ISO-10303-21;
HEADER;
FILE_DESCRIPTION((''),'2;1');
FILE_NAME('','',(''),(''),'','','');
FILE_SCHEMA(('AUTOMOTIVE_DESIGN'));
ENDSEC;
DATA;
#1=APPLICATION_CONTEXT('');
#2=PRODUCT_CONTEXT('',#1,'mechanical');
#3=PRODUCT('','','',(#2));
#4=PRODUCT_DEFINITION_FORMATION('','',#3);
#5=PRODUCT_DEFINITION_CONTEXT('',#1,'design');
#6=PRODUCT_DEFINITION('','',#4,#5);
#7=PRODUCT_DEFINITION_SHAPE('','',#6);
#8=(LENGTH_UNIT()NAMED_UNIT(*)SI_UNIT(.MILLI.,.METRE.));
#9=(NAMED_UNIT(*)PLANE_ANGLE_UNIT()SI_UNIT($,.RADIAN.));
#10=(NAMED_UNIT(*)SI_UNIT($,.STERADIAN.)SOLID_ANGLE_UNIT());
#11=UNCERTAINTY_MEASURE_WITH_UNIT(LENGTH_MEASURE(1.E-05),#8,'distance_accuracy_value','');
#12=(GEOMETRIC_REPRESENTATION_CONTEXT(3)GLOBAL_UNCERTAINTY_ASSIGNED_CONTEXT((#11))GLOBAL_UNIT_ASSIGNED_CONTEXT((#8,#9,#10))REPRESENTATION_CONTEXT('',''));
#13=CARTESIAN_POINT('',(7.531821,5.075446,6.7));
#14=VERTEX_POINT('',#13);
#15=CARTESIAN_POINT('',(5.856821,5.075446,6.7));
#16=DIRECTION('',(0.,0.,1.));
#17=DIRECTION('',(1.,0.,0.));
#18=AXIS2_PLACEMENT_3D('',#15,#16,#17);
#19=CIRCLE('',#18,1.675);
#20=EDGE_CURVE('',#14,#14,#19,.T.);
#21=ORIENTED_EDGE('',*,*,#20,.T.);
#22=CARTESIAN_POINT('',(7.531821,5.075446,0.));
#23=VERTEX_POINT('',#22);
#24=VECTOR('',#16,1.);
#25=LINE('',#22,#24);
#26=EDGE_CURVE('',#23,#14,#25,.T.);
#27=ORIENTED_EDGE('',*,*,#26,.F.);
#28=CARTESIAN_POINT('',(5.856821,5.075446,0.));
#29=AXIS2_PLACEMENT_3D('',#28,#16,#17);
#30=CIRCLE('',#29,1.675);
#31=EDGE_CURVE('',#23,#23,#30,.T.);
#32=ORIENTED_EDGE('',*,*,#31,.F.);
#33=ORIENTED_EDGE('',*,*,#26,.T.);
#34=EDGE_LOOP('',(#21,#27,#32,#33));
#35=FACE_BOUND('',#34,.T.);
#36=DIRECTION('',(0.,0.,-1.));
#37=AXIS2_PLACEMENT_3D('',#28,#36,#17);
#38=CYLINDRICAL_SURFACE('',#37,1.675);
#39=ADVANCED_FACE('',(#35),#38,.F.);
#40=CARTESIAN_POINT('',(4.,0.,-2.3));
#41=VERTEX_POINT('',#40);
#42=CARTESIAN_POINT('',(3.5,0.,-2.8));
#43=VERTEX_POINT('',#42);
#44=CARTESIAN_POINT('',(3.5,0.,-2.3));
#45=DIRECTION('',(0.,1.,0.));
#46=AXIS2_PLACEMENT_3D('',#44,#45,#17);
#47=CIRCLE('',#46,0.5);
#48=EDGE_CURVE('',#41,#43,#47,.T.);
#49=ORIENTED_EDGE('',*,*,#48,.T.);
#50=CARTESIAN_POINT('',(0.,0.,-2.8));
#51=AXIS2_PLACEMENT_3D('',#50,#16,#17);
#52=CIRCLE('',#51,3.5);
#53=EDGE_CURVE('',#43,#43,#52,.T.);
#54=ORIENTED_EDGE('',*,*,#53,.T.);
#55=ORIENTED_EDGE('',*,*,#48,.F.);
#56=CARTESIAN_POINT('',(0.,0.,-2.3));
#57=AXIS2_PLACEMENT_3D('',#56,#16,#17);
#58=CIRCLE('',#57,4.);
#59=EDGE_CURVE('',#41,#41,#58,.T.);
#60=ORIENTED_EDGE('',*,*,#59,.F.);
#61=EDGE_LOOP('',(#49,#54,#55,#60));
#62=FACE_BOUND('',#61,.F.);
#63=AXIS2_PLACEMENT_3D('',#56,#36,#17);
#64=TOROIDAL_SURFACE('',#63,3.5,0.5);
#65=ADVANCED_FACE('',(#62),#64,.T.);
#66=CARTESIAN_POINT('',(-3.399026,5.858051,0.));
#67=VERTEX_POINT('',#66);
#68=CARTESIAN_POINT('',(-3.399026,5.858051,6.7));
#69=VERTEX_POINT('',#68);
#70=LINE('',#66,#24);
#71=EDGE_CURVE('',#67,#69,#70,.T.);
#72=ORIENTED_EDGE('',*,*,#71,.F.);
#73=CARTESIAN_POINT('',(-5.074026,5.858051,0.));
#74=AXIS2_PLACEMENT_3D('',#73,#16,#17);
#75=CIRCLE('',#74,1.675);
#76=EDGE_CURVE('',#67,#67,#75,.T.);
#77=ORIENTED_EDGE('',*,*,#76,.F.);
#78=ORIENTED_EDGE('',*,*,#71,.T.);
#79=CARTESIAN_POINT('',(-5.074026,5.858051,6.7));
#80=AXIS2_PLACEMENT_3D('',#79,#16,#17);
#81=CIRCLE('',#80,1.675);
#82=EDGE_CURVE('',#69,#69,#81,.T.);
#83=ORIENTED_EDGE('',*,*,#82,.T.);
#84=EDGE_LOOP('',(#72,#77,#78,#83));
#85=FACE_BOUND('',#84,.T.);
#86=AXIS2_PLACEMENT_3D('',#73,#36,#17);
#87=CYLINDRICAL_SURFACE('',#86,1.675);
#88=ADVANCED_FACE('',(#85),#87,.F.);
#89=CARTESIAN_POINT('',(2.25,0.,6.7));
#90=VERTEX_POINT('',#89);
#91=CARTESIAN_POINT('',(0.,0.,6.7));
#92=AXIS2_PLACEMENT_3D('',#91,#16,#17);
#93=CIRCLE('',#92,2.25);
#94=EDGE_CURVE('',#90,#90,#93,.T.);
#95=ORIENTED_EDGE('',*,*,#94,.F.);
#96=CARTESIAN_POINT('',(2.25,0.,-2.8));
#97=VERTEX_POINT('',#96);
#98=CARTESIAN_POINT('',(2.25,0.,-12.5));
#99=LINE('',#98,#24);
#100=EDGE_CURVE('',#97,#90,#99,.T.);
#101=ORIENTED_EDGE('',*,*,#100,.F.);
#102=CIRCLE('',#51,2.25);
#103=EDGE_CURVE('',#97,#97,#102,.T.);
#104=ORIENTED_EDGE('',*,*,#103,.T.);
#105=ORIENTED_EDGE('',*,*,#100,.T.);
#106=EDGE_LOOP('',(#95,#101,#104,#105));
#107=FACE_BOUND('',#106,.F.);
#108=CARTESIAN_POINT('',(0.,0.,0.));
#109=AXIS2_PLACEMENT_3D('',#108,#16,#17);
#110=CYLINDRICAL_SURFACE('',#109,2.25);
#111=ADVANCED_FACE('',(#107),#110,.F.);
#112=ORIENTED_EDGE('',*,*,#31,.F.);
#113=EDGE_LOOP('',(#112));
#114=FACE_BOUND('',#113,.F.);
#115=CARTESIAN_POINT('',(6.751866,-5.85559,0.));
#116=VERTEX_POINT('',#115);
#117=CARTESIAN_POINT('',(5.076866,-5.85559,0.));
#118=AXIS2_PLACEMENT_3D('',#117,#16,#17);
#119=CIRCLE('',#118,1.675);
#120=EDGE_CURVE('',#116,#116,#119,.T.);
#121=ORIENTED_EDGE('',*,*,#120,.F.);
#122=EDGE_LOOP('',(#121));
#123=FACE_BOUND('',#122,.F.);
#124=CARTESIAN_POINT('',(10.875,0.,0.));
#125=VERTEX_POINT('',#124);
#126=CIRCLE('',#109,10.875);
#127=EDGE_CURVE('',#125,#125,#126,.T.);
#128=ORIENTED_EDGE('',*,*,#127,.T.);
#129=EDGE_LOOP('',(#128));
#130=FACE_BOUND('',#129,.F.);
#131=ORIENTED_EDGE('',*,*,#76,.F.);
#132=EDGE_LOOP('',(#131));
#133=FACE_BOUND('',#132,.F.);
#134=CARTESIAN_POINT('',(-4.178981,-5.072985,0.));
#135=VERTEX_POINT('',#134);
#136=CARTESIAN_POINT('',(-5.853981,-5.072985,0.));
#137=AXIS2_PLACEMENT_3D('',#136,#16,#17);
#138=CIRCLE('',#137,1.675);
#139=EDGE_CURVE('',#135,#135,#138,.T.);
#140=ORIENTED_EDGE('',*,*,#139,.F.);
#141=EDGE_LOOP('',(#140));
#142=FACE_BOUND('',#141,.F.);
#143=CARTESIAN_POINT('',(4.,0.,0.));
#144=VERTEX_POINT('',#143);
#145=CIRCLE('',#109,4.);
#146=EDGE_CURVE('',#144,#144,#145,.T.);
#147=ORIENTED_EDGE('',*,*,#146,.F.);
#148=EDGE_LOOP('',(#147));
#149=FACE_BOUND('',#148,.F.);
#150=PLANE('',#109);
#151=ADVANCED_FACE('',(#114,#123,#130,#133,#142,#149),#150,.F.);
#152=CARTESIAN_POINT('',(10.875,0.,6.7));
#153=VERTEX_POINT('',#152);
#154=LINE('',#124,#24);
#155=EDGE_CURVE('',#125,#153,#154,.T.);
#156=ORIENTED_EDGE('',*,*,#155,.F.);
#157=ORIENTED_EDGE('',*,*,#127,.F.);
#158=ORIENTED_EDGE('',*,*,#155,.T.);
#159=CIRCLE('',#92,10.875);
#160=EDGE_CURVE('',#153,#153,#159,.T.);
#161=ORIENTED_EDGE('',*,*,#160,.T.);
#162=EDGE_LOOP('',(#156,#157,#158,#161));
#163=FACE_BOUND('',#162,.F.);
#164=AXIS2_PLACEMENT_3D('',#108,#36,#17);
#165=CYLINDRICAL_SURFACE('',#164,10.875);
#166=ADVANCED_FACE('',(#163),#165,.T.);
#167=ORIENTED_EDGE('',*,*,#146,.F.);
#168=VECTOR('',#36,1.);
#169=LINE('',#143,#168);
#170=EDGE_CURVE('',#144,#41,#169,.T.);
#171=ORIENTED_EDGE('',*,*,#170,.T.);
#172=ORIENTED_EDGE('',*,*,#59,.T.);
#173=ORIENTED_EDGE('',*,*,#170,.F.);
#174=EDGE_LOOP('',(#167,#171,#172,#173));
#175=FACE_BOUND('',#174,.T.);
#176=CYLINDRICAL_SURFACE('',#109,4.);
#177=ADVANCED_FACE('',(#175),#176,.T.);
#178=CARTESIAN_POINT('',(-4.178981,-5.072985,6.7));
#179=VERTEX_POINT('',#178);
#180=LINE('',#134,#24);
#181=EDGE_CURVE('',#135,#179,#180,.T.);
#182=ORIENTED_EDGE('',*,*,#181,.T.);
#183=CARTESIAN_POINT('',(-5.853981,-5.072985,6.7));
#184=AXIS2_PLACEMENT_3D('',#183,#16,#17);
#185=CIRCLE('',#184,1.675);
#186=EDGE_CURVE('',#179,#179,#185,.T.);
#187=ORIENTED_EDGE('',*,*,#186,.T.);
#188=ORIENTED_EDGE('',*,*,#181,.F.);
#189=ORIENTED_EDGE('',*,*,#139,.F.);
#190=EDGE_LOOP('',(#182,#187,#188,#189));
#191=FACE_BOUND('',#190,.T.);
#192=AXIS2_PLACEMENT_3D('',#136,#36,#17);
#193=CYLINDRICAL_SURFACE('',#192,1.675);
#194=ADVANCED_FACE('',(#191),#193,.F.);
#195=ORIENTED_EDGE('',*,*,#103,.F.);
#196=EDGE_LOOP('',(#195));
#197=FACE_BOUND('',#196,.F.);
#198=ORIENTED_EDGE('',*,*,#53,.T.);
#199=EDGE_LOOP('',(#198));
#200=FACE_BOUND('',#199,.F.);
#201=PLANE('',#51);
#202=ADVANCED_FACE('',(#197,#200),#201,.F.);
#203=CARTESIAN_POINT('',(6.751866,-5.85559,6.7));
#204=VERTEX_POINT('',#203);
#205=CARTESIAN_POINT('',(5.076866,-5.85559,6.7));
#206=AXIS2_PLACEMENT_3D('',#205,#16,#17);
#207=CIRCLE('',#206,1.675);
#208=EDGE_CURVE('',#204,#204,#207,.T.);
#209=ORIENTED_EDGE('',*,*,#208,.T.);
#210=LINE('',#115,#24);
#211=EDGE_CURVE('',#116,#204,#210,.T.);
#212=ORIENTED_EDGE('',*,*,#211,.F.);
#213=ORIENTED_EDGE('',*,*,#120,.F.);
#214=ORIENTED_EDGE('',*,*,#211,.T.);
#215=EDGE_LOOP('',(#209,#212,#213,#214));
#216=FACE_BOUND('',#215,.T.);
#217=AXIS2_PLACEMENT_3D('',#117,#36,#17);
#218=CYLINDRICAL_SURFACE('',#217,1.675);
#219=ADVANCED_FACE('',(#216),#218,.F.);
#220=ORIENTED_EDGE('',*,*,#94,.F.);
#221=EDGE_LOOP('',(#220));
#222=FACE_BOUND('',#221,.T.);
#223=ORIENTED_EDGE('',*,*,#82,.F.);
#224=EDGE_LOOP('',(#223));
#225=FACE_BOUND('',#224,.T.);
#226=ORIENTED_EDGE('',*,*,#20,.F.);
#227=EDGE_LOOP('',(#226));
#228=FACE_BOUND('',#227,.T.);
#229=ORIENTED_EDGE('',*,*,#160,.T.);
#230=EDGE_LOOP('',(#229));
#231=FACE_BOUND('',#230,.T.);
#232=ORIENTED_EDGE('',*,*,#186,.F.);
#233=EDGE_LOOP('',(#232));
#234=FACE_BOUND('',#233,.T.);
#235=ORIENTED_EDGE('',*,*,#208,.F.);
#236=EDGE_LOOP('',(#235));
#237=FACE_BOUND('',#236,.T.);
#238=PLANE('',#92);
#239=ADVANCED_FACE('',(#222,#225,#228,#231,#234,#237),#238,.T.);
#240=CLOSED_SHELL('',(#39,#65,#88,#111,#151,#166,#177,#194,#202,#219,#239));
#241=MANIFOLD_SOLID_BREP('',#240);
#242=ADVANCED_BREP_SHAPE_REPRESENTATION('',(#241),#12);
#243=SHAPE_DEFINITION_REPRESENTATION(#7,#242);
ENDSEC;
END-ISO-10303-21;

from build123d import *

# Parameters (mm, degrees)
F0_R     = 10.875
F0_R_2   = 1.675
F1_DEPTH = 6.7
F2_R     = 4
F3_DEPTH = 2.8
F4_R     = 2.25
F5_DEPTH = 12.5
F6_R     = 0.5


with BuildPart() as f1:
    # F0 (on Top) → F1 (new body)
    with BuildSketch(Plane.XY):
        Circle(F0_R)
        with Locations((-5.853981, -5.072985)):
            Circle(F0_R_2, mode=Mode.SUBTRACT)
        with Locations((5.076866, -5.85559)):
            Circle(F0_R_2, mode=Mode.SUBTRACT)
        with Locations((-5.074026, 5.858051)):
            Circle(F0_R_2, mode=Mode.SUBTRACT)
        with Locations((5.856821, 5.075446)):
            Circle(F0_R_2, mode=Mode.SUBTRACT)
    extrude(amount=F1_DEPTH)

    # F2 (on Top) → F3 (join)
    with BuildSketch(Plane.XY):
        Circle(F2_R)
    extrude(amount=-F3_DEPTH)

    # F4 (on Top) → F5 (cut, symmetric)
    with BuildSketch(Plane.XY):
        Circle(F4_R)
    extrude(amount=F5_DEPTH, both=True, mode=Mode.SUBTRACT)

    # F6
    f6_edges = [f1.edges().sort_by_distance(p)[0] for p in [
        (-4, 0, -2.8),
    ]]
    fillet(f6_edges, radius=F6_R)


solid = f1.part
